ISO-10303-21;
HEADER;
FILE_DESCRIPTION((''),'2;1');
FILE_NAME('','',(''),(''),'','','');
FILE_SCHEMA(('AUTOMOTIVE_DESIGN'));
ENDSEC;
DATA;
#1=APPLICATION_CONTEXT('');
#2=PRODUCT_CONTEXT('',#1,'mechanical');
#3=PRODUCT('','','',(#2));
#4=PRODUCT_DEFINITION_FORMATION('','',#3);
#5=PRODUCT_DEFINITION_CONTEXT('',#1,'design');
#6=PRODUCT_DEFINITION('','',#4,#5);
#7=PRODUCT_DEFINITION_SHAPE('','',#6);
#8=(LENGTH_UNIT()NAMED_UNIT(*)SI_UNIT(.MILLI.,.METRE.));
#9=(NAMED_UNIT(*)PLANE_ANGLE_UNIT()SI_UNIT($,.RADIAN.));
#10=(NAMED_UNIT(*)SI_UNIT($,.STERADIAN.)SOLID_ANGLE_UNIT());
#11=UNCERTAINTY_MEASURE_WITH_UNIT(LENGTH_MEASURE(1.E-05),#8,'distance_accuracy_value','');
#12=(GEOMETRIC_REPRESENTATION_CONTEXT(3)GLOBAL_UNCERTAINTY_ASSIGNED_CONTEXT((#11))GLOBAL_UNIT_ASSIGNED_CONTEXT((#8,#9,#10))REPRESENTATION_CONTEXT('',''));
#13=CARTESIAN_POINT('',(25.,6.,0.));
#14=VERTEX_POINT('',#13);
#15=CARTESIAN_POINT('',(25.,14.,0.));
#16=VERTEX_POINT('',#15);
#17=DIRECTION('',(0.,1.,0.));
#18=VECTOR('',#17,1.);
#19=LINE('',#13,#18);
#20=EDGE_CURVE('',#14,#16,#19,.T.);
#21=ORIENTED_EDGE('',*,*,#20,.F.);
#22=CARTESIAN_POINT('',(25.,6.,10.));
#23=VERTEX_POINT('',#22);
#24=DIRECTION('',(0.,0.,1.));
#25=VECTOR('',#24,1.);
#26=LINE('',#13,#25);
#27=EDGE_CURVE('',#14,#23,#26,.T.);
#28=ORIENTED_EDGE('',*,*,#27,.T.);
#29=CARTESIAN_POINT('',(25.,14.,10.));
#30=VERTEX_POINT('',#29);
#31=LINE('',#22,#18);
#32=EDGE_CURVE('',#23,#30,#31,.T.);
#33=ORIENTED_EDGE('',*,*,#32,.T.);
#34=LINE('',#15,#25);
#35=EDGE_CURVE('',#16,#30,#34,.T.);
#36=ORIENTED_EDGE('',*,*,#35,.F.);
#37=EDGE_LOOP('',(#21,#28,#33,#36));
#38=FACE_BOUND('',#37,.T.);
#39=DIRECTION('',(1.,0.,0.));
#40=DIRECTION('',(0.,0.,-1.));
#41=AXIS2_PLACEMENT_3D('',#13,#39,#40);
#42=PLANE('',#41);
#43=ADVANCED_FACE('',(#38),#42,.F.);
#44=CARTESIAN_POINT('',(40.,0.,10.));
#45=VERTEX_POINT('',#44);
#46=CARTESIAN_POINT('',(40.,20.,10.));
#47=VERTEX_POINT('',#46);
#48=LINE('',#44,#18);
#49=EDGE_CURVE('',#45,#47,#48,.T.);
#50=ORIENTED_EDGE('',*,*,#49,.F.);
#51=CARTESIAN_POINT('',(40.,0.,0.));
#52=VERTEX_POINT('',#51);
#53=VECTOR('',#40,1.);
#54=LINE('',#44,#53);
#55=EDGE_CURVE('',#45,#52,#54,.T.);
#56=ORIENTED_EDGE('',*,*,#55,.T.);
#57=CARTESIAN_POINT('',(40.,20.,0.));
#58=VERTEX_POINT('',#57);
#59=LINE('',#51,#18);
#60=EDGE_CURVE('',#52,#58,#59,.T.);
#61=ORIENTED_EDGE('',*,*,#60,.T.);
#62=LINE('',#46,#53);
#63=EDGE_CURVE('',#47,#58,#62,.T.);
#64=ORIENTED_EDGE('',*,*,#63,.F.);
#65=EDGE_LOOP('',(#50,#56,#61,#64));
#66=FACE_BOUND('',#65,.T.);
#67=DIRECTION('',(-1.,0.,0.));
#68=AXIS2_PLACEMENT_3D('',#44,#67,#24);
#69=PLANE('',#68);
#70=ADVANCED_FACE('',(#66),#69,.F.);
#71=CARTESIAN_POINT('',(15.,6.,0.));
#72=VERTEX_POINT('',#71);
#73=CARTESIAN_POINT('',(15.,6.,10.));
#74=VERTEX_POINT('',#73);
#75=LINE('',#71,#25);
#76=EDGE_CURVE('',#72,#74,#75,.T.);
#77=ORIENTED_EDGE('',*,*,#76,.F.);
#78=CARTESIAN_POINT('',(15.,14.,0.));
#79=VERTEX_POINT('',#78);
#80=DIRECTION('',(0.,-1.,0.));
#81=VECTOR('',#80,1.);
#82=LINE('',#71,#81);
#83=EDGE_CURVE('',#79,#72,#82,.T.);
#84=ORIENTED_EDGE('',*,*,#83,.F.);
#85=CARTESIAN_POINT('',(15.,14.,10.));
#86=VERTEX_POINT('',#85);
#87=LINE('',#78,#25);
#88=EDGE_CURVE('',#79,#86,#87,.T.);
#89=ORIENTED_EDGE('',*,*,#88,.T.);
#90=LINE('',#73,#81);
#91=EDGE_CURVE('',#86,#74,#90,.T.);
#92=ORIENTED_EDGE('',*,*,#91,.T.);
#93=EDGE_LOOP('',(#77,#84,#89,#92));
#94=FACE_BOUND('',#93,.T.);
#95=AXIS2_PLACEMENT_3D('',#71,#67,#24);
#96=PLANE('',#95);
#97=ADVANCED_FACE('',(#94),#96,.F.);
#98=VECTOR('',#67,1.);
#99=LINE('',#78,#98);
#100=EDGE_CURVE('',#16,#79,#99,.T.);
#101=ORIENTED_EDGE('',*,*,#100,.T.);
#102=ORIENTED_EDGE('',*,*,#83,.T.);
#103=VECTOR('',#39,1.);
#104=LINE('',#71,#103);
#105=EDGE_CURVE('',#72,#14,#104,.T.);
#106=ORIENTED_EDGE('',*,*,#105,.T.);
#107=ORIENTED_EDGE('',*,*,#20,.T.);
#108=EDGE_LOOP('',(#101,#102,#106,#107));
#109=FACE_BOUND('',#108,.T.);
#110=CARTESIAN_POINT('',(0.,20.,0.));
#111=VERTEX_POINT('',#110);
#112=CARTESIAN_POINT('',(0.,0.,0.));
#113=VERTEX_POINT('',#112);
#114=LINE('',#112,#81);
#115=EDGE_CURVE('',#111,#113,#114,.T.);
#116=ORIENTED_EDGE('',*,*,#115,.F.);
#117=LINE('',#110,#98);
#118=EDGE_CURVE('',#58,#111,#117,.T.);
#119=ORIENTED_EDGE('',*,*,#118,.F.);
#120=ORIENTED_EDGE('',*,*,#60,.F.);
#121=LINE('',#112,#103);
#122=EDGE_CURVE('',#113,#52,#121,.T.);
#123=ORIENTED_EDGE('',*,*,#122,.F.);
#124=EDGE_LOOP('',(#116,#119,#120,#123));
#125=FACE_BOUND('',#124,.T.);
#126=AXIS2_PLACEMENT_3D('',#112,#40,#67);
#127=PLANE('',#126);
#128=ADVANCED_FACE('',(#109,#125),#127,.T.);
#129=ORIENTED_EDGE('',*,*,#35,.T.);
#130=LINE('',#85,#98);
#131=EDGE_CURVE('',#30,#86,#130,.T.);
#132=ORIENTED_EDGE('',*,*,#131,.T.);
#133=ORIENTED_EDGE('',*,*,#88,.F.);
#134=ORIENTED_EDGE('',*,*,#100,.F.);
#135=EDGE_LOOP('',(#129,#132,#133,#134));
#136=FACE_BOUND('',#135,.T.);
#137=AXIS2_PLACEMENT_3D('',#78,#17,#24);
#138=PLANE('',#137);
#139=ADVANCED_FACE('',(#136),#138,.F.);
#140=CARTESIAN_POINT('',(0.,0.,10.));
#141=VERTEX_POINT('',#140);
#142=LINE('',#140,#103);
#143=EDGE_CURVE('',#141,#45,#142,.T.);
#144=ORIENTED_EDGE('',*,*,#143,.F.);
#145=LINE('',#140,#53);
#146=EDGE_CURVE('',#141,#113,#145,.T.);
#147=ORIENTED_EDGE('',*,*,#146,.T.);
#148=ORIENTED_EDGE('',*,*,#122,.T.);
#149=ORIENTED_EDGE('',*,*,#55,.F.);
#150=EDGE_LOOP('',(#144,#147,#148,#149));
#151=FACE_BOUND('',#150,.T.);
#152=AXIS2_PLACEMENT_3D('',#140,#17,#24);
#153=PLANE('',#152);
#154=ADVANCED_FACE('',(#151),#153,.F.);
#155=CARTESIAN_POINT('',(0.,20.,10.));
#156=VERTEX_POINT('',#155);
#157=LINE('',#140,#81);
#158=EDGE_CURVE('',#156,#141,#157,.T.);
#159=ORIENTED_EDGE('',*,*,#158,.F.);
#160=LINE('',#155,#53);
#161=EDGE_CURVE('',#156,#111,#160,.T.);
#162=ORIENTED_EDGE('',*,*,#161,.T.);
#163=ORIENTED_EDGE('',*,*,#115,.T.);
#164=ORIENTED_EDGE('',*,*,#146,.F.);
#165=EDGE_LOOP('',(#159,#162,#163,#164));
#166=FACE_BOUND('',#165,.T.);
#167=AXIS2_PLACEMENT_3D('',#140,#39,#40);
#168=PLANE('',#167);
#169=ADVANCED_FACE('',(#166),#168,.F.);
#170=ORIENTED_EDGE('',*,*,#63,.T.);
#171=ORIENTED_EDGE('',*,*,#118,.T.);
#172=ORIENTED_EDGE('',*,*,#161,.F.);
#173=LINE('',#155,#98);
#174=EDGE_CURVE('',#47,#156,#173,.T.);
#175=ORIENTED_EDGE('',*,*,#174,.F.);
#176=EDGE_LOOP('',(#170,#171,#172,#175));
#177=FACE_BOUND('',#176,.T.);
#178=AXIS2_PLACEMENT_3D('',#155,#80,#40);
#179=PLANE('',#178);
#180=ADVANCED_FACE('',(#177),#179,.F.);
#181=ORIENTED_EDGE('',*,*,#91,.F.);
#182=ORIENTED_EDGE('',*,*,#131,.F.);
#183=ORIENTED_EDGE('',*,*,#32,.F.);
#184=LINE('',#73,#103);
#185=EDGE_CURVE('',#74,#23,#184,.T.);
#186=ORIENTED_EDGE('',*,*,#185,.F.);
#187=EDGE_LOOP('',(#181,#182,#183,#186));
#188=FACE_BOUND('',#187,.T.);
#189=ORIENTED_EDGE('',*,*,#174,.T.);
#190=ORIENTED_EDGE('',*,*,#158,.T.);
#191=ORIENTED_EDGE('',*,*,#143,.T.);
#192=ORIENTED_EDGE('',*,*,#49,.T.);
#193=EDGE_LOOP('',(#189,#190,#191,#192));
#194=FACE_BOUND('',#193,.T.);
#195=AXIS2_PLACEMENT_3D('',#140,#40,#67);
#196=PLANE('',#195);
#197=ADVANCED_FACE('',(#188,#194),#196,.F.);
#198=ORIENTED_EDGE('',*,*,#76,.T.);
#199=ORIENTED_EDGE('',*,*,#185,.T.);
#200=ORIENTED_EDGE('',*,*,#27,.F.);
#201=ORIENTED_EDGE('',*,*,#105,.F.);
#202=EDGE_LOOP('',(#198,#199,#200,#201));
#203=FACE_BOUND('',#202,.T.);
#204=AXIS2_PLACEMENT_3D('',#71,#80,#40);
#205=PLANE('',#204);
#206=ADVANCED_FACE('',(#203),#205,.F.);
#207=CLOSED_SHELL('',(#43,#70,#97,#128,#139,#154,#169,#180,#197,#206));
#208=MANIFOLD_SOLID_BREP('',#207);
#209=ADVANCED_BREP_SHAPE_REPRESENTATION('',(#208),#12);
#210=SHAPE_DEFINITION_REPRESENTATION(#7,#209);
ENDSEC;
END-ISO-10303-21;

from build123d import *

# Parameters (mm, degrees)
RECTANGLESKETCH_W   = 40
RECTANGLESKETCH_H   = 20
BLINDBOSS_DEPTH     = 10
CUTSKETCH_W         = 10
CUTSKETCH_H         = 8
THROUGHALLCUT_DEPTH = 46.82575695


with BuildPart() as part:
    # RectangleSketch → BlindBoss (new body)
    with BuildSketch(Plane.XY):
        with Locations((20, 10)):
            Rectangle(RECTANGLESKETCH_W, RECTANGLESKETCH_H)
    extrude(amount=BLINDBOSS_DEPTH)

    # CutSketch → ThroughAllCut (cut, through all)
    with BuildSketch(Plane.XY.offset(10)):
        with Locations((20, 10)):
            Rectangle(CUTSKETCH_W, CUTSKETCH_H)
    extrude(amount=-THROUGHALLCUT_DEPTH, mode=Mode.SUBTRACT)


solid = part.part
